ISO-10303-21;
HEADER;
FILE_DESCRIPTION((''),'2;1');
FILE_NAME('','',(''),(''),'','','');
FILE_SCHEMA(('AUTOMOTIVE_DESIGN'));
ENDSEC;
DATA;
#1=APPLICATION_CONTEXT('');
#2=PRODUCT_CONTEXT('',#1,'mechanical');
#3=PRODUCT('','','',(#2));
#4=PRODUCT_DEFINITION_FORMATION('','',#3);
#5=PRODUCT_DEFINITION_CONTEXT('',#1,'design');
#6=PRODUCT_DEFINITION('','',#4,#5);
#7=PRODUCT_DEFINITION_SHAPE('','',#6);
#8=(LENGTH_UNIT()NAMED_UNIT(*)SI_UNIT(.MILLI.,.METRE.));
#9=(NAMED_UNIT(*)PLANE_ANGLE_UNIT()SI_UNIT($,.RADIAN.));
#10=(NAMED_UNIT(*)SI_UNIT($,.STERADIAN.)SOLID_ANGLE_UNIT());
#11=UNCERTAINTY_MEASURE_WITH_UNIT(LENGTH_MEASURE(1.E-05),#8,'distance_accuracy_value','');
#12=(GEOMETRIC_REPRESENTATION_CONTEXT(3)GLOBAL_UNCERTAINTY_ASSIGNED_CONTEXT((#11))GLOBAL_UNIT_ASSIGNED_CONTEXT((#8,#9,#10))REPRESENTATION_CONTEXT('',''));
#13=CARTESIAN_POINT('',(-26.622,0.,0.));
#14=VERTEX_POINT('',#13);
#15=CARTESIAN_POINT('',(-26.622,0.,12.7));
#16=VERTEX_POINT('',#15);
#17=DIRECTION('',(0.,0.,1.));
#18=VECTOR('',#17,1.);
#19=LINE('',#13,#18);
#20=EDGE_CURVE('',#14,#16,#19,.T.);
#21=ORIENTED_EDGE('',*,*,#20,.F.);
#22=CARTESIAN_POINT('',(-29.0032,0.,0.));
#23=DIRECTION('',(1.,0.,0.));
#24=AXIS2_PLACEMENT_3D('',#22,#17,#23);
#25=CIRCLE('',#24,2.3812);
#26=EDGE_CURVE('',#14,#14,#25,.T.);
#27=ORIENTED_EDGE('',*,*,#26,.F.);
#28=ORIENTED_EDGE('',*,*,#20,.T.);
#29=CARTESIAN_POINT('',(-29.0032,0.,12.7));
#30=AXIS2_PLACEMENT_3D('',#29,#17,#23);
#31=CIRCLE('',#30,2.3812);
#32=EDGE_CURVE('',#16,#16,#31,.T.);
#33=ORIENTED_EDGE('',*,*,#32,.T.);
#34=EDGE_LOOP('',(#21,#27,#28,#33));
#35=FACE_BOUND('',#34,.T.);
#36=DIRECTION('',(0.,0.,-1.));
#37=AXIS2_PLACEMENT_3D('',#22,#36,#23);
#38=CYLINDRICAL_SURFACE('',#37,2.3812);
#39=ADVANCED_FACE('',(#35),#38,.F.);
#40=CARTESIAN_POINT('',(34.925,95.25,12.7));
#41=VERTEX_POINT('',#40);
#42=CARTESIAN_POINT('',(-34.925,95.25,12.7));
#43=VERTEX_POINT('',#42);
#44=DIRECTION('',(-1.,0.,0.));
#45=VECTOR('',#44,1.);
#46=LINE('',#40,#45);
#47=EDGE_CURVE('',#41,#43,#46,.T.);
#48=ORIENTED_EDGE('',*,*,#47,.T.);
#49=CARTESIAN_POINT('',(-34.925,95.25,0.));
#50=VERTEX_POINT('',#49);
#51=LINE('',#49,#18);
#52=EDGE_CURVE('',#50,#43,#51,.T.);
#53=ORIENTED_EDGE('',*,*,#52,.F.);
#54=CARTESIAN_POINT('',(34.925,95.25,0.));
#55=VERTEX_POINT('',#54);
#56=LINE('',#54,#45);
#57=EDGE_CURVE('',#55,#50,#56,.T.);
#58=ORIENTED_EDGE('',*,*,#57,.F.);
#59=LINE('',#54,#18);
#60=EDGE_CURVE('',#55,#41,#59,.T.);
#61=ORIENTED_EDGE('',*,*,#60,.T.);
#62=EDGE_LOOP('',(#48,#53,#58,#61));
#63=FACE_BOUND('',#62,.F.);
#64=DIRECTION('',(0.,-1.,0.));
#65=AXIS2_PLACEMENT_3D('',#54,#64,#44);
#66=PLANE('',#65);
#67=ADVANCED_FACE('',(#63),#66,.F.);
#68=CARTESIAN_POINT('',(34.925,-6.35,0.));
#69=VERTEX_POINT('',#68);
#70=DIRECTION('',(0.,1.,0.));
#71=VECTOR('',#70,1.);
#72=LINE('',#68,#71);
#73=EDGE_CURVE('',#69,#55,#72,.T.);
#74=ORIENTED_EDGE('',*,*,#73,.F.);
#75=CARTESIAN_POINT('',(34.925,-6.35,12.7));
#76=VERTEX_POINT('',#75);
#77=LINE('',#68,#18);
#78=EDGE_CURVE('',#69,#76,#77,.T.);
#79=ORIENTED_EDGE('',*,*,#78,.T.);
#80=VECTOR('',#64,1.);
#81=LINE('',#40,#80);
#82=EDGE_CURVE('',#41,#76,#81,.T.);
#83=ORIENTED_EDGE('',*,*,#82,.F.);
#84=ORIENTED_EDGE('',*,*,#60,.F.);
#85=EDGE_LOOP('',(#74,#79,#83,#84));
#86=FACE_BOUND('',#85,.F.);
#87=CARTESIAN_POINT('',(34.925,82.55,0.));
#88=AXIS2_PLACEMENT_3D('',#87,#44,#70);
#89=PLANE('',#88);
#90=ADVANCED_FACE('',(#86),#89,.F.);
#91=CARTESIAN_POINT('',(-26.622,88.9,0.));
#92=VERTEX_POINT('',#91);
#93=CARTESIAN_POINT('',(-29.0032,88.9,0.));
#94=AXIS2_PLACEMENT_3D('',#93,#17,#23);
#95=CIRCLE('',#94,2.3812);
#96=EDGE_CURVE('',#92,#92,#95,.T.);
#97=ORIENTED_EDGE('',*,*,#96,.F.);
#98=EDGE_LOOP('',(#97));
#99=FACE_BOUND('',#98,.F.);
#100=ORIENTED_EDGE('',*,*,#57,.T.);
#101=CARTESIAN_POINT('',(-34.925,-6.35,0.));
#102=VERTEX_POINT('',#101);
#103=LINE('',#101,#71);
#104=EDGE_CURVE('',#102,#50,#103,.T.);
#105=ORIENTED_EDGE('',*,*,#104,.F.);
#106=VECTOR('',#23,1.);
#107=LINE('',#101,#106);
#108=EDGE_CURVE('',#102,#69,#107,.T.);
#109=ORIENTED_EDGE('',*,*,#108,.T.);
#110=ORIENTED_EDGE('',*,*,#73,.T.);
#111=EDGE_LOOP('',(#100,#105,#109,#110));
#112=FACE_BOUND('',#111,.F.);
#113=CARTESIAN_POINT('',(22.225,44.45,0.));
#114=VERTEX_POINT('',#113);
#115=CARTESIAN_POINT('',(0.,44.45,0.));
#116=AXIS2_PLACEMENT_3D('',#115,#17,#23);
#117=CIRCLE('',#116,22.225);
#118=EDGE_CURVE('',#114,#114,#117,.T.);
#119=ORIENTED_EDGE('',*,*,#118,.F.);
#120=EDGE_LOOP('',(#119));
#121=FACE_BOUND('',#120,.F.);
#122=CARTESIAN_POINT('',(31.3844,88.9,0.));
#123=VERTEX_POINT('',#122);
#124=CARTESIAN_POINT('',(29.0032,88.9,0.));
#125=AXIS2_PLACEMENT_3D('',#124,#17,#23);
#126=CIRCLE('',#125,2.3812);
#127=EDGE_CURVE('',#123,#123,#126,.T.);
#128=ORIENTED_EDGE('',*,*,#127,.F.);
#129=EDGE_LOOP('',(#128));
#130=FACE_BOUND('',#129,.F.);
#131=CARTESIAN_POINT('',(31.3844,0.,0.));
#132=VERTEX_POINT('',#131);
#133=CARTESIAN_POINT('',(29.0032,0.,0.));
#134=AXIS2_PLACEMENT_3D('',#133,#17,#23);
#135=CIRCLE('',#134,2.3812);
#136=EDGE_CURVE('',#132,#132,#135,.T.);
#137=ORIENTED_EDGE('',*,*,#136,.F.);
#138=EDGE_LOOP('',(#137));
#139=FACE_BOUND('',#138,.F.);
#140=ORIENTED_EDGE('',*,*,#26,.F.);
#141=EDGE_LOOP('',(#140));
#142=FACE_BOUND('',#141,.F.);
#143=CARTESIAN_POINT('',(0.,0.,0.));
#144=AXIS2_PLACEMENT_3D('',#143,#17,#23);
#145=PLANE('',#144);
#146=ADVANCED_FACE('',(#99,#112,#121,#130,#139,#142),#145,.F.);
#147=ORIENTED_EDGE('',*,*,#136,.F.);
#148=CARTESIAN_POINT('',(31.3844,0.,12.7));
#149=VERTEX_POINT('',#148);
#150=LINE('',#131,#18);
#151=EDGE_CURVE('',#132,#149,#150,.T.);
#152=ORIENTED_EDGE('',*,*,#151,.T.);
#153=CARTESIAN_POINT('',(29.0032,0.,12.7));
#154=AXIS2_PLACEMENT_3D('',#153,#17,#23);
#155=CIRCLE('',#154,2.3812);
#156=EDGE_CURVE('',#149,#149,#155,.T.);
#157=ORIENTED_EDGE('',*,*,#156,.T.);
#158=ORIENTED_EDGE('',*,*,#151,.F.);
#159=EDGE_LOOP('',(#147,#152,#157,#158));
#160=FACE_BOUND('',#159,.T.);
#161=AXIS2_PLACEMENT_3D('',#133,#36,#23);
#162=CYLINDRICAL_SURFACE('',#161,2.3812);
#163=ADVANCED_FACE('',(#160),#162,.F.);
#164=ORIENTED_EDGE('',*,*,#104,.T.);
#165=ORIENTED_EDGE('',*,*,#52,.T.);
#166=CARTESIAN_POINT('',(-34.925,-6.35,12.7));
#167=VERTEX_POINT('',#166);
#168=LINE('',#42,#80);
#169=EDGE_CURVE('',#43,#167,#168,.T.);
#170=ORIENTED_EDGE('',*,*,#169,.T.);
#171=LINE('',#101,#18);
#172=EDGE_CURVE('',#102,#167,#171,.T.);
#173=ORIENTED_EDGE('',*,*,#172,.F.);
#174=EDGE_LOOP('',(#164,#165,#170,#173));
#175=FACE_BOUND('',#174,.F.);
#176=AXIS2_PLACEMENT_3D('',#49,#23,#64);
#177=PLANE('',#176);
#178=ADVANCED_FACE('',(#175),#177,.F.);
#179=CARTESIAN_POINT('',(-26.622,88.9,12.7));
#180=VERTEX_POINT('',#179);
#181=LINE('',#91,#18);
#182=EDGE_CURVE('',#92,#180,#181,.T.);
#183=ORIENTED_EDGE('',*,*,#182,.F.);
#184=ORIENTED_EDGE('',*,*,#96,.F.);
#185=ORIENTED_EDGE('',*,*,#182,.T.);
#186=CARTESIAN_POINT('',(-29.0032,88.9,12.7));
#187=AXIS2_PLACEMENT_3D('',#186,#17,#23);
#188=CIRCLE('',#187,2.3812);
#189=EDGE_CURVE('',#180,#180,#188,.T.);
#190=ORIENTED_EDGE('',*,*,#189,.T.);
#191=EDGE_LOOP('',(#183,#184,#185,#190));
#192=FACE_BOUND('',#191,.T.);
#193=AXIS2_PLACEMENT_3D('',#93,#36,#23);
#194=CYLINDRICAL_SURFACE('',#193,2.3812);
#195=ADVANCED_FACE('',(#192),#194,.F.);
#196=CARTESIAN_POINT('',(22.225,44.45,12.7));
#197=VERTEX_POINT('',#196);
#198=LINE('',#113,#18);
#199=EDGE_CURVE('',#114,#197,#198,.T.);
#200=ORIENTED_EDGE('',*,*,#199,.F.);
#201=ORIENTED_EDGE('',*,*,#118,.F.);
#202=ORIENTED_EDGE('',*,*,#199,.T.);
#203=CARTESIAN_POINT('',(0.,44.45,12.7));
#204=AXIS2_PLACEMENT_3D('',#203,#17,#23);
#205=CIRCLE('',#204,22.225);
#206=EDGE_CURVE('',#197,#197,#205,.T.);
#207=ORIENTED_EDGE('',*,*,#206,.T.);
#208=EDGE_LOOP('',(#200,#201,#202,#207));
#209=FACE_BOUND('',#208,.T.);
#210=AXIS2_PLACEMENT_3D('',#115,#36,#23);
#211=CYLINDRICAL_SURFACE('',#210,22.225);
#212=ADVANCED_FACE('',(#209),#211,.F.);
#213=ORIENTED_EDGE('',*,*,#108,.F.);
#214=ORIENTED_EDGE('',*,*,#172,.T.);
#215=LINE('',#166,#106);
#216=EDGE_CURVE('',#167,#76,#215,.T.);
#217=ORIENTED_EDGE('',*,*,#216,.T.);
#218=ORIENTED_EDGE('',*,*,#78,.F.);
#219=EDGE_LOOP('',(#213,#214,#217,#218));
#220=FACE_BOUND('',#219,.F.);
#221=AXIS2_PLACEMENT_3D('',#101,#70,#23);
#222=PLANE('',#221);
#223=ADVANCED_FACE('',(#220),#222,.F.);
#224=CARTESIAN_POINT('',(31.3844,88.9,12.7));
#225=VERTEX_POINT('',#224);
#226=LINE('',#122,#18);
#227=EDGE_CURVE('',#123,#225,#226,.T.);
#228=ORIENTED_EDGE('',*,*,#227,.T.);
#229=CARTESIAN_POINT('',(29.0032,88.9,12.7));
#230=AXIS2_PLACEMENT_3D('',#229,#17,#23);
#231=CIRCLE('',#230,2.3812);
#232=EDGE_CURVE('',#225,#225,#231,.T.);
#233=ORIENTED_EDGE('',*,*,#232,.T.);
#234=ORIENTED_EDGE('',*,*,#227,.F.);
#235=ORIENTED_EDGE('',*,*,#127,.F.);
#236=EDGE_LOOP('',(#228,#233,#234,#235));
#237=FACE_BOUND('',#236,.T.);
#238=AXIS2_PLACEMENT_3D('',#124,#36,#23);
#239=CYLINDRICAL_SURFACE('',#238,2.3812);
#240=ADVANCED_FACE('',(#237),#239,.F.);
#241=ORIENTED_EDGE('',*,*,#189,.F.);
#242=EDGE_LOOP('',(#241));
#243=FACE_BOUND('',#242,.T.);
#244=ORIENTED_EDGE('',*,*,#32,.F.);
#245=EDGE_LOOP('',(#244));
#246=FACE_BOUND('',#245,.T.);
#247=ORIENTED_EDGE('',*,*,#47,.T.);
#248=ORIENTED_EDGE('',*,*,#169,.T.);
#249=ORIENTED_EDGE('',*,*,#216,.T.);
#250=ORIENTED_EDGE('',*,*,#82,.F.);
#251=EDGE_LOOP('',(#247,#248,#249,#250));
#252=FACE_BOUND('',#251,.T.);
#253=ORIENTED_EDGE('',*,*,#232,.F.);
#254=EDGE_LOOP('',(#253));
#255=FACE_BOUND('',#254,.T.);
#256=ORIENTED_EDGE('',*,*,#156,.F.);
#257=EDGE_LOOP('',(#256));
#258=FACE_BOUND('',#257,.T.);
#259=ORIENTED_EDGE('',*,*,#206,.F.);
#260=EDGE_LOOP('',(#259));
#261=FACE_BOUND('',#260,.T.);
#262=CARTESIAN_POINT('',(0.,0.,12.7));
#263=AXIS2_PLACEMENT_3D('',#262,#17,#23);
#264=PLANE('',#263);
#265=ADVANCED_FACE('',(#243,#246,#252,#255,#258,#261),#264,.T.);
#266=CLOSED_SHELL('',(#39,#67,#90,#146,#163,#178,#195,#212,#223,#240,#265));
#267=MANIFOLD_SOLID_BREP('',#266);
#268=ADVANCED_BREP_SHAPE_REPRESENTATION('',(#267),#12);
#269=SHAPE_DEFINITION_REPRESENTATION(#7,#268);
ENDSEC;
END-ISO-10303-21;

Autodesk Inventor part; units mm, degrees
ref_plane "YZ Plane" through (0, 0, 0) normal (1, 0, 0) x (0, 1, 0)
ref_plane "XZ Plane" through (0, 0, 0) normal (0, 1, 0) x (-1, 0, 0)
sketch "Sketch1" plane through (0, 0, 0) normal (0, 0, 1) x (1, 0, 0)
  line L0 (34.925, 95.25) -> (-34.925, 95.25) projected
  line L1 (-34.925, 95.25) -> (-34.925, 82.55) projected
  line L2 (-34.925, 82.55) -> (34.925, 82.55) projected
  line L3 (34.925, 82.55) -> (34.925, 95.25) projected
  circle A0 centre (-29.0032, 88.9) radius 2.3812 projected
  circle A1 centre (29.0032, 88.9) radius 2.3812 projected
  line L4 (34.925, 6.35) -> (-34.925, 6.35) projected
  line L5 (-34.925, 6.35) -> (-34.925, -6.35) projected
  line L6 (-34.925, -6.35) -> (34.925, -6.35) projected
  line L7 (34.925, -6.35) -> (34.925, 6.35) projected
  circle A2 centre (-29.0032, 0) radius 2.3812 projected
  circle A3 centre (29.0032, 0) radius 2.3812 projected
  line L8 (34.925, 82.55) -> (34.925, 6.35)
  line L9 (-34.925, 6.35) -> (-34.925, 82.55)
  circle A4 centre (0, 44.45) radius 22.225
  point P0 (0, 0)
  dimension "d0" = 44.45
extrude "Extrusion1" add sketch "Sketch1" along normal blind 12.7
ref_plane "Work Plane1" through (-19.4127, 25.0373, 33.395) normal (0, 0, -1) x (0, 1, 0)
properties part number "Encoder Mount Y"
